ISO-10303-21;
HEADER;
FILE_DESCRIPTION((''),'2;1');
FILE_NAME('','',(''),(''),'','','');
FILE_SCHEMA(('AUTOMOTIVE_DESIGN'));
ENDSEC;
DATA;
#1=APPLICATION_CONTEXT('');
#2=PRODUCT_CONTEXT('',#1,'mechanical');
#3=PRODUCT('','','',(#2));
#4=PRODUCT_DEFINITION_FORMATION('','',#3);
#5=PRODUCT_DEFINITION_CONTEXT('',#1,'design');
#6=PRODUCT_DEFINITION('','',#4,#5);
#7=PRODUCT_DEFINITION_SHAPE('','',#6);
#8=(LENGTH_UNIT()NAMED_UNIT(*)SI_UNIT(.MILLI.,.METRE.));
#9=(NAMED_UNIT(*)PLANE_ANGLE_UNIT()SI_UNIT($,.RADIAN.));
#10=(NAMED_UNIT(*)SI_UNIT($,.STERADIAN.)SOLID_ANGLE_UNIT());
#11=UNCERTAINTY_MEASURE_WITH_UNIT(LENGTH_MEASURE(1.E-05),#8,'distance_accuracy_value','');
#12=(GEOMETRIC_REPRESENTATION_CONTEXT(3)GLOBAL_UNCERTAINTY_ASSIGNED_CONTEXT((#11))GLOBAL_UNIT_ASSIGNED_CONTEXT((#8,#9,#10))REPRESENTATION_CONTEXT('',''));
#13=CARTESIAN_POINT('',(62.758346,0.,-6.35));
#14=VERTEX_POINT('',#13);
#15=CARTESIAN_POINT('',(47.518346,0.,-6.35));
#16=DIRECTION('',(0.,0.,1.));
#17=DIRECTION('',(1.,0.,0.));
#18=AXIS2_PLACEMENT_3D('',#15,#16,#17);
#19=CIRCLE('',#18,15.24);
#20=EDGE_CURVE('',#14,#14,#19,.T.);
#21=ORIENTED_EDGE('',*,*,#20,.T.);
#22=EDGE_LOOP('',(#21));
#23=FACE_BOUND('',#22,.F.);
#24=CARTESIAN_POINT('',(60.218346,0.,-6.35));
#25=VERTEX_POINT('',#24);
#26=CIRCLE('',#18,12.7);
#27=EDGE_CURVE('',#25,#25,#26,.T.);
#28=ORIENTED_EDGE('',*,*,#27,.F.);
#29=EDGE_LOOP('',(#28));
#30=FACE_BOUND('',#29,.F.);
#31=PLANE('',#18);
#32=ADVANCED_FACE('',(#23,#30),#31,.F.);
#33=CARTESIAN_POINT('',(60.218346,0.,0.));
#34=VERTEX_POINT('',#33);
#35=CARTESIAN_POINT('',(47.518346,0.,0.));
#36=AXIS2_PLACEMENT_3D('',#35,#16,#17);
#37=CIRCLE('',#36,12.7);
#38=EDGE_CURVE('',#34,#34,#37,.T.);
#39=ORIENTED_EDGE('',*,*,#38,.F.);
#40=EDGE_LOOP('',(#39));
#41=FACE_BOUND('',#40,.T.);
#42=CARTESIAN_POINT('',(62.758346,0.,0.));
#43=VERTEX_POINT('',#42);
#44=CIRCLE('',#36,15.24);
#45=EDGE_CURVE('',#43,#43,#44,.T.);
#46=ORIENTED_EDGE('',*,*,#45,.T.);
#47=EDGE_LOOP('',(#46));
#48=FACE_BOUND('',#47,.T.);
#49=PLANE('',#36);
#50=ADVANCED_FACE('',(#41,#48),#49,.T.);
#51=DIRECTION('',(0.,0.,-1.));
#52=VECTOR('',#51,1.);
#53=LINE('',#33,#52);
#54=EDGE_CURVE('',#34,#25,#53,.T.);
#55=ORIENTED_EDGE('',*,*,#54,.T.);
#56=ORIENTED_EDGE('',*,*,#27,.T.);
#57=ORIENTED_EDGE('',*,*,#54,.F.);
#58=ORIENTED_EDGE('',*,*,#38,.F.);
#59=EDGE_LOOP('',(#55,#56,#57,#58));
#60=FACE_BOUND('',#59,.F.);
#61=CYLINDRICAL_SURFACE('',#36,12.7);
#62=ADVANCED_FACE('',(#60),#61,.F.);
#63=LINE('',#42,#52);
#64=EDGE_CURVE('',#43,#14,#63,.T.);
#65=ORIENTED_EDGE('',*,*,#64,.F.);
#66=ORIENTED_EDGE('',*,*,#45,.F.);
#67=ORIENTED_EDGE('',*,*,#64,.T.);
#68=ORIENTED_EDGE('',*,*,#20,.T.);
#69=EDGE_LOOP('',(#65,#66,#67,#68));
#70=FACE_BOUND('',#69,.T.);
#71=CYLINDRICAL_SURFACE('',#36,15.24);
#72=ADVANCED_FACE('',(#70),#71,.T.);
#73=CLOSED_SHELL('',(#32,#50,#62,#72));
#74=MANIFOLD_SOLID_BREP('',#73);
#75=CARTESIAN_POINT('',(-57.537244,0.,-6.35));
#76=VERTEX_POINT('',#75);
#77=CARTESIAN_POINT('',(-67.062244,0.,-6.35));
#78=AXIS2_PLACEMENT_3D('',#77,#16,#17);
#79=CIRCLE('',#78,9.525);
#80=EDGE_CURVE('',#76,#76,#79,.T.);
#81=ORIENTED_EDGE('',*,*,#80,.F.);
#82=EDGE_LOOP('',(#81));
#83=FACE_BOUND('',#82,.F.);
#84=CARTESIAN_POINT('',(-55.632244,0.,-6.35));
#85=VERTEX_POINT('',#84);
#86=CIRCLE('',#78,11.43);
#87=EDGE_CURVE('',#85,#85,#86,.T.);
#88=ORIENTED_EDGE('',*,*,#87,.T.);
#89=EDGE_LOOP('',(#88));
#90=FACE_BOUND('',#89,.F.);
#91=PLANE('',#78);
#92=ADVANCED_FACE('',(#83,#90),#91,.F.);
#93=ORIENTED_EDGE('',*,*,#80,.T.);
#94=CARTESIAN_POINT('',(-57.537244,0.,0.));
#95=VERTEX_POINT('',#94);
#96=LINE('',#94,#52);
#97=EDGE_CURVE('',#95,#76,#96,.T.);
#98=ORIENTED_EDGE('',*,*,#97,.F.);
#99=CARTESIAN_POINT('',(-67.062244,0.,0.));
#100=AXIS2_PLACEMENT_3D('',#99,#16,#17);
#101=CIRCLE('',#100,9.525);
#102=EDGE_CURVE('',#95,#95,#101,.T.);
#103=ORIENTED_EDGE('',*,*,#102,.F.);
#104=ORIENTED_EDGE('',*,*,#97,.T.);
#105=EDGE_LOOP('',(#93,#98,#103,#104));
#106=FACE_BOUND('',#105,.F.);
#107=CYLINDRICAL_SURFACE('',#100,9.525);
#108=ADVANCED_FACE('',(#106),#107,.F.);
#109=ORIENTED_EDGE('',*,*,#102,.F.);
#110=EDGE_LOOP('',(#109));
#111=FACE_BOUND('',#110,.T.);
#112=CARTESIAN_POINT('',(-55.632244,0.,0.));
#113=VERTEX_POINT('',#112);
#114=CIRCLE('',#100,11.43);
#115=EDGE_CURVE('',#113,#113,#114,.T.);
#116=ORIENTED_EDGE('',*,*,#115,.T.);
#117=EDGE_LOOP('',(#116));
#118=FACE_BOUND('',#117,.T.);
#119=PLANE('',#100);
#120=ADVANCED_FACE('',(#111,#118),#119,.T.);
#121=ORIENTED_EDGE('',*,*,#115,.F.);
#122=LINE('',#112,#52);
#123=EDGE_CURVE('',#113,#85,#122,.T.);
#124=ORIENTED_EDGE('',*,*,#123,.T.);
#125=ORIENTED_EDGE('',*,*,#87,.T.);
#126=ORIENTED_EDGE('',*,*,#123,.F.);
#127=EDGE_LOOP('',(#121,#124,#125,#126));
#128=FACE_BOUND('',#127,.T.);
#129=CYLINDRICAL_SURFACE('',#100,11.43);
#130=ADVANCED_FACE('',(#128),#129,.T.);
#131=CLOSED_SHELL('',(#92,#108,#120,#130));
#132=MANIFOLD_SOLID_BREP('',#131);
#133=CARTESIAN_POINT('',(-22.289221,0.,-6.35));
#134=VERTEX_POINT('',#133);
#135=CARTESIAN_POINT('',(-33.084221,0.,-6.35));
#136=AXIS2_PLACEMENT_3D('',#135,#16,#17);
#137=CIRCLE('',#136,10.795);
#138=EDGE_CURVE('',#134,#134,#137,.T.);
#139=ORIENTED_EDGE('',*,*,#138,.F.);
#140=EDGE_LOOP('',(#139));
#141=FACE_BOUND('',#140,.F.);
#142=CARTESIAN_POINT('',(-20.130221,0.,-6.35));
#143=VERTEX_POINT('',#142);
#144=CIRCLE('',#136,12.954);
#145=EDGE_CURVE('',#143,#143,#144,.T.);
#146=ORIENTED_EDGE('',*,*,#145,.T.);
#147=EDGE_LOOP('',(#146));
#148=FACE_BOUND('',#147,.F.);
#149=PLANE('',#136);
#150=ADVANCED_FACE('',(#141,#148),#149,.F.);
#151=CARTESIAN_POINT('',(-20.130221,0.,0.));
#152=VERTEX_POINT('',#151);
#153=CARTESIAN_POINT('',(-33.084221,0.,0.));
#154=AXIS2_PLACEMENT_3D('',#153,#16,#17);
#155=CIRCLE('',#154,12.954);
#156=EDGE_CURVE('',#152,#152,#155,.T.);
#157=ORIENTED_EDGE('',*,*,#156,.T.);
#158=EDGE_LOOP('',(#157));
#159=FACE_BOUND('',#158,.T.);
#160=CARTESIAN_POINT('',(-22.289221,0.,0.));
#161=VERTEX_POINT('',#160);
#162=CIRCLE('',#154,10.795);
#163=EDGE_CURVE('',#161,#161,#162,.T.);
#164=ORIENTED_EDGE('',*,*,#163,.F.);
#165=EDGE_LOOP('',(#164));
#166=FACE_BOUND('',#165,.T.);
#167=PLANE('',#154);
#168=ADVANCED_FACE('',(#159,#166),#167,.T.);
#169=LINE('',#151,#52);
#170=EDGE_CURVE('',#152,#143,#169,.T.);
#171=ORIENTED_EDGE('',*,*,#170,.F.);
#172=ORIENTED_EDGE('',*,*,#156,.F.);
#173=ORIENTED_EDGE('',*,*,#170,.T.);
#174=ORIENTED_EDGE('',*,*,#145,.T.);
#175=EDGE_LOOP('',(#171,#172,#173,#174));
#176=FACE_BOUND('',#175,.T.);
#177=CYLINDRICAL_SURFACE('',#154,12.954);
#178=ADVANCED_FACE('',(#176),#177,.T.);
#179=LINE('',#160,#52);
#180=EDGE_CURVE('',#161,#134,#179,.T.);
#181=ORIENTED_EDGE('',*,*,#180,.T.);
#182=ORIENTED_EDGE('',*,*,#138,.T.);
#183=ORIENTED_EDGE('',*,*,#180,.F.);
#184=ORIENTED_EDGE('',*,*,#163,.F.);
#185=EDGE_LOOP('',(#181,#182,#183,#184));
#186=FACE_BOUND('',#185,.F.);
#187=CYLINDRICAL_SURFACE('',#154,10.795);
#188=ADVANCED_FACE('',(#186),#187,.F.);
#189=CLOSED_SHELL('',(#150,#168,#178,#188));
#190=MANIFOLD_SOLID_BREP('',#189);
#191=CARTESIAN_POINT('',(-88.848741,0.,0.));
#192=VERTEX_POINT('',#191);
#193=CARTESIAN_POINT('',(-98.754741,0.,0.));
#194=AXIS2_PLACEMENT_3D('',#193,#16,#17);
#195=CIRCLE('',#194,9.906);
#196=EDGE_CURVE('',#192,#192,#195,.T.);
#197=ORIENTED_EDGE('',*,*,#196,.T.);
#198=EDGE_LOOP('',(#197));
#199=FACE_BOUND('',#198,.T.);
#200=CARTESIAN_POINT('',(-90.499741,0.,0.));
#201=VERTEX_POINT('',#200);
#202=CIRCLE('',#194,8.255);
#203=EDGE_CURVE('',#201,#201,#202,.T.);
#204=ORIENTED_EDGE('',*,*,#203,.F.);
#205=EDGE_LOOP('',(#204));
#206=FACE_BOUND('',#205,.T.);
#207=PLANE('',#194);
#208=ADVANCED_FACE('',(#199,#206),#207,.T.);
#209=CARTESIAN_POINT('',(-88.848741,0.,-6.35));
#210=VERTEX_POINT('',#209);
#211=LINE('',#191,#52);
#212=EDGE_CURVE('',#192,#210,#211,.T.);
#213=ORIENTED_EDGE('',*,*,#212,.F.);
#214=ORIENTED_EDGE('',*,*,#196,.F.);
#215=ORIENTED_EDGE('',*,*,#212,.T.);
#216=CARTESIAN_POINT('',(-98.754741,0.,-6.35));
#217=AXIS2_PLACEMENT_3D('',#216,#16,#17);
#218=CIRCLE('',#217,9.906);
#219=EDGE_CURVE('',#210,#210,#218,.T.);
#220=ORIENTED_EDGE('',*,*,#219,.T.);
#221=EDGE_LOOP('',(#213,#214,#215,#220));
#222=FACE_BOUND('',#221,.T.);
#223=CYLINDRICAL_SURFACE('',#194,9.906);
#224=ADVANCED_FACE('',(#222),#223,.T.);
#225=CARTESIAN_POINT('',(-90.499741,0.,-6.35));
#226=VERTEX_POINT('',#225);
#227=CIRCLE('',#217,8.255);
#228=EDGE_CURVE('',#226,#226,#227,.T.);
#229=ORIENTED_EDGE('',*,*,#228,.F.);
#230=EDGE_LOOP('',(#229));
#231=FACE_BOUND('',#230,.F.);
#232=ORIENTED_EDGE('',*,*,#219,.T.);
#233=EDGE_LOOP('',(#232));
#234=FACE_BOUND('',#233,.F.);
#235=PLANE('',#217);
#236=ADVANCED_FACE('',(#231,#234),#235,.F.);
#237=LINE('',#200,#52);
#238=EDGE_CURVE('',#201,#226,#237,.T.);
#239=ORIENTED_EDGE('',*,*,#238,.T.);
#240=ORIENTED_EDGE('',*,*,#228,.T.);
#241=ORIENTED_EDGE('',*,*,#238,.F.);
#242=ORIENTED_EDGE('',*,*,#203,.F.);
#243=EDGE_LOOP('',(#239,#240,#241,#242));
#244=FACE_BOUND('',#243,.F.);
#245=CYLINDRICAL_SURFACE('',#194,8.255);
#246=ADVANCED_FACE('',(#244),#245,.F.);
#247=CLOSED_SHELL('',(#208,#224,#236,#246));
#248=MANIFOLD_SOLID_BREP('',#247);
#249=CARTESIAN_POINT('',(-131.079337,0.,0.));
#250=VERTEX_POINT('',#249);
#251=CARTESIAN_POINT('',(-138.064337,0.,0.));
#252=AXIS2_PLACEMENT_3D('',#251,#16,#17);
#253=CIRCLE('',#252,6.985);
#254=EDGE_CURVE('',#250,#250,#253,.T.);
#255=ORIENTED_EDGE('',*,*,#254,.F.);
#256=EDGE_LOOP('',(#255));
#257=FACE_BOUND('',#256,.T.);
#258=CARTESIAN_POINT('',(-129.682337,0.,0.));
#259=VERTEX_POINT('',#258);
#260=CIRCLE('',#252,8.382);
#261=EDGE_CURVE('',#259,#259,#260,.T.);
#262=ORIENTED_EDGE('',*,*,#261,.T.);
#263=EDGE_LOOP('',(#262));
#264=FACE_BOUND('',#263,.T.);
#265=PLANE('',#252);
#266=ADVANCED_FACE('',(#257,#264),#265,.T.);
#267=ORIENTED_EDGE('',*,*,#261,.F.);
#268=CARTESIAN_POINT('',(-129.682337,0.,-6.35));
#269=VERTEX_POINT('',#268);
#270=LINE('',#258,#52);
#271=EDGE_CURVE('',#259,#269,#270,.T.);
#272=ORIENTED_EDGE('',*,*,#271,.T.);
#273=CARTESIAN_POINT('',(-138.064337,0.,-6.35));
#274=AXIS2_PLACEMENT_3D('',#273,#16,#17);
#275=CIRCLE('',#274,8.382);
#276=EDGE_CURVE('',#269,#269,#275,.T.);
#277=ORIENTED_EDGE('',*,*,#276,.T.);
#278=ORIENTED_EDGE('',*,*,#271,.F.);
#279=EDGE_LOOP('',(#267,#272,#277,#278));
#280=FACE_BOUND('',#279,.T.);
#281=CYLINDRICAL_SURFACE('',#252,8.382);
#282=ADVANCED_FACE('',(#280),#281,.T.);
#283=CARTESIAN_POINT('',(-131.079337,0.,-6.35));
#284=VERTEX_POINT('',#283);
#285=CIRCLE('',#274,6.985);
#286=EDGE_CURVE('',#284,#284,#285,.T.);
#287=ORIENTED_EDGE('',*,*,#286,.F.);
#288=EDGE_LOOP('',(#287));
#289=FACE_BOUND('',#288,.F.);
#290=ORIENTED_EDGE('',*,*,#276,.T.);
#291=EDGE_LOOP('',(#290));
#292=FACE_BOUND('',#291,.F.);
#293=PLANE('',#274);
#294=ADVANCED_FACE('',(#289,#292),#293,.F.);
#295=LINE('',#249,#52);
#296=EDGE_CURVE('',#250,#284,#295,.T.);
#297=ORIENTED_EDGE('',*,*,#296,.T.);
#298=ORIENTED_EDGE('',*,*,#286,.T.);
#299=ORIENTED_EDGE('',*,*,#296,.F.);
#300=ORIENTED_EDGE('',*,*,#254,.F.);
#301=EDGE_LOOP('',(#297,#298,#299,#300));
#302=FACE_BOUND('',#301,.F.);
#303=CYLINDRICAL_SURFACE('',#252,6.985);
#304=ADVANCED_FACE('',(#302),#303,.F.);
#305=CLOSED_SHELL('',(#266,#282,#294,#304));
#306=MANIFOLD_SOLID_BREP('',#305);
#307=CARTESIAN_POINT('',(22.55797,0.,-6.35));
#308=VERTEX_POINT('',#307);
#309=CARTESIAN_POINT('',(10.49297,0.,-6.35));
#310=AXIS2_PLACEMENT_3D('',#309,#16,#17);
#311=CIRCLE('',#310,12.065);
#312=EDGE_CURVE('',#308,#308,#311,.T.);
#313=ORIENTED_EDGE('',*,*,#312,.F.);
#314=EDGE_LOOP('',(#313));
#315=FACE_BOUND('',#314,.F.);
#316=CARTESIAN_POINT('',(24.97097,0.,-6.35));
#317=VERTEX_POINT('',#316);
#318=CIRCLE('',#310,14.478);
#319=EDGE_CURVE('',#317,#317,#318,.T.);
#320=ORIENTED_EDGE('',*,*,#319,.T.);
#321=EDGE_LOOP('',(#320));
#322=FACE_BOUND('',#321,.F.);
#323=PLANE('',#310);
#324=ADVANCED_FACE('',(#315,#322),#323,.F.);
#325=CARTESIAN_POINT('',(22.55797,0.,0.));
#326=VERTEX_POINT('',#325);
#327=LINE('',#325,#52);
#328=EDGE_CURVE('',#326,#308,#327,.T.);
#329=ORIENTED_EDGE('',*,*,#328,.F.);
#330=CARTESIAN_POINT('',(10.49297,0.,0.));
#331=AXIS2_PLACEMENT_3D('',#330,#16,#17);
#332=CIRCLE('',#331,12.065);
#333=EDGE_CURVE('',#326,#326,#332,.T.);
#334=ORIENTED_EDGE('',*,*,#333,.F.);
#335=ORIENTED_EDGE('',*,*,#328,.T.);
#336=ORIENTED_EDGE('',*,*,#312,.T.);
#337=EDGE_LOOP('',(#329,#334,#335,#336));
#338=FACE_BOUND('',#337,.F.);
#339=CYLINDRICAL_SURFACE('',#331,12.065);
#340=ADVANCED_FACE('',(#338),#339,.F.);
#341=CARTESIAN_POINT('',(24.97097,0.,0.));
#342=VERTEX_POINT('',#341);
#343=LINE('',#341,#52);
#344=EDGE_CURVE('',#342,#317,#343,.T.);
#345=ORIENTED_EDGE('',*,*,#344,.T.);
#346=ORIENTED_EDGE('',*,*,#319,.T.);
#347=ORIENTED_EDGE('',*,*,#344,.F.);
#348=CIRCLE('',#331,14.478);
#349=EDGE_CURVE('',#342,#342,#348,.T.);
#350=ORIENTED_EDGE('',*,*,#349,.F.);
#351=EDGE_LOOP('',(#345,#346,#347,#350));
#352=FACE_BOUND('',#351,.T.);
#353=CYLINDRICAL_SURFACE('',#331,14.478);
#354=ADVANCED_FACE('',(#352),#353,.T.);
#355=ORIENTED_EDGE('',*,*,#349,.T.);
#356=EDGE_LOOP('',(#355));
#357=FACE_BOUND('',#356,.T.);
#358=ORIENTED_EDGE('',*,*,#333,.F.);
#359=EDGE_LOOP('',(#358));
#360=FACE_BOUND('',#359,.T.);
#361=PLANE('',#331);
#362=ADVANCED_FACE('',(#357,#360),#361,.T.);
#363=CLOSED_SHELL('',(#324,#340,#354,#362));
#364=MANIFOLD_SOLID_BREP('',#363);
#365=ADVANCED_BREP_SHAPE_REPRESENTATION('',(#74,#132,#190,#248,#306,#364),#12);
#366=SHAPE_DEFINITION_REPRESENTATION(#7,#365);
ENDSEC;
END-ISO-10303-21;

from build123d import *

# Parameters (mm, degrees)
F0_R     = 8.382
F0_R_2   = 6.985
F0_R_3   = 9.906
F0_R_4   = 8.255
F0_R_5   = 11.43
F0_R_6   = 9.525
F0_R_7   = 12.954
F0_R_8   = 10.795
F0_R_9   = 14.478
F0_R_10  = 12.065
F0_R_11  = 15.24
F0_R_12  = 12.7
F1_DEPTH = 6.35


with BuildPart() as f1:
    # F0 (on Top) → F1 (new body)
    with BuildSketch(Plane.XY):
        with Locations((-138.064337, 0)):
            Circle(F0_R)
        with Locations((-138.064337, 0)):
            Circle(F0_R_2, mode=Mode.SUBTRACT)
        with Locations((-98.754741, 0)):
            Circle(F0_R_3)
        with Locations((-98.754741, 0)):
            Circle(F0_R_4, mode=Mode.SUBTRACT)
        with Locations((-67.062244, 0)):
            Circle(F0_R_5)
        with Locations((-67.062244, 0)):
            Circle(F0_R_6, mode=Mode.SUBTRACT)
        with Locations((-33.084221, 0)):
            Circle(F0_R_7)
        with Locations((-33.084221, 0)):
            Circle(F0_R_8, mode=Mode.SUBTRACT)
        with Locations((10.49297, 0)):
            Circle(F0_R_9)
        with Locations((10.49297, 0)):
            Circle(F0_R_10, mode=Mode.SUBTRACT)
        with Locations((47.518346, 0)):
            Circle(F0_R_11)
        with Locations((47.518346, 0)):
            Circle(F0_R_12, mode=Mode.SUBTRACT)
    extrude(amount=-F1_DEPTH)


solid = f1.part
